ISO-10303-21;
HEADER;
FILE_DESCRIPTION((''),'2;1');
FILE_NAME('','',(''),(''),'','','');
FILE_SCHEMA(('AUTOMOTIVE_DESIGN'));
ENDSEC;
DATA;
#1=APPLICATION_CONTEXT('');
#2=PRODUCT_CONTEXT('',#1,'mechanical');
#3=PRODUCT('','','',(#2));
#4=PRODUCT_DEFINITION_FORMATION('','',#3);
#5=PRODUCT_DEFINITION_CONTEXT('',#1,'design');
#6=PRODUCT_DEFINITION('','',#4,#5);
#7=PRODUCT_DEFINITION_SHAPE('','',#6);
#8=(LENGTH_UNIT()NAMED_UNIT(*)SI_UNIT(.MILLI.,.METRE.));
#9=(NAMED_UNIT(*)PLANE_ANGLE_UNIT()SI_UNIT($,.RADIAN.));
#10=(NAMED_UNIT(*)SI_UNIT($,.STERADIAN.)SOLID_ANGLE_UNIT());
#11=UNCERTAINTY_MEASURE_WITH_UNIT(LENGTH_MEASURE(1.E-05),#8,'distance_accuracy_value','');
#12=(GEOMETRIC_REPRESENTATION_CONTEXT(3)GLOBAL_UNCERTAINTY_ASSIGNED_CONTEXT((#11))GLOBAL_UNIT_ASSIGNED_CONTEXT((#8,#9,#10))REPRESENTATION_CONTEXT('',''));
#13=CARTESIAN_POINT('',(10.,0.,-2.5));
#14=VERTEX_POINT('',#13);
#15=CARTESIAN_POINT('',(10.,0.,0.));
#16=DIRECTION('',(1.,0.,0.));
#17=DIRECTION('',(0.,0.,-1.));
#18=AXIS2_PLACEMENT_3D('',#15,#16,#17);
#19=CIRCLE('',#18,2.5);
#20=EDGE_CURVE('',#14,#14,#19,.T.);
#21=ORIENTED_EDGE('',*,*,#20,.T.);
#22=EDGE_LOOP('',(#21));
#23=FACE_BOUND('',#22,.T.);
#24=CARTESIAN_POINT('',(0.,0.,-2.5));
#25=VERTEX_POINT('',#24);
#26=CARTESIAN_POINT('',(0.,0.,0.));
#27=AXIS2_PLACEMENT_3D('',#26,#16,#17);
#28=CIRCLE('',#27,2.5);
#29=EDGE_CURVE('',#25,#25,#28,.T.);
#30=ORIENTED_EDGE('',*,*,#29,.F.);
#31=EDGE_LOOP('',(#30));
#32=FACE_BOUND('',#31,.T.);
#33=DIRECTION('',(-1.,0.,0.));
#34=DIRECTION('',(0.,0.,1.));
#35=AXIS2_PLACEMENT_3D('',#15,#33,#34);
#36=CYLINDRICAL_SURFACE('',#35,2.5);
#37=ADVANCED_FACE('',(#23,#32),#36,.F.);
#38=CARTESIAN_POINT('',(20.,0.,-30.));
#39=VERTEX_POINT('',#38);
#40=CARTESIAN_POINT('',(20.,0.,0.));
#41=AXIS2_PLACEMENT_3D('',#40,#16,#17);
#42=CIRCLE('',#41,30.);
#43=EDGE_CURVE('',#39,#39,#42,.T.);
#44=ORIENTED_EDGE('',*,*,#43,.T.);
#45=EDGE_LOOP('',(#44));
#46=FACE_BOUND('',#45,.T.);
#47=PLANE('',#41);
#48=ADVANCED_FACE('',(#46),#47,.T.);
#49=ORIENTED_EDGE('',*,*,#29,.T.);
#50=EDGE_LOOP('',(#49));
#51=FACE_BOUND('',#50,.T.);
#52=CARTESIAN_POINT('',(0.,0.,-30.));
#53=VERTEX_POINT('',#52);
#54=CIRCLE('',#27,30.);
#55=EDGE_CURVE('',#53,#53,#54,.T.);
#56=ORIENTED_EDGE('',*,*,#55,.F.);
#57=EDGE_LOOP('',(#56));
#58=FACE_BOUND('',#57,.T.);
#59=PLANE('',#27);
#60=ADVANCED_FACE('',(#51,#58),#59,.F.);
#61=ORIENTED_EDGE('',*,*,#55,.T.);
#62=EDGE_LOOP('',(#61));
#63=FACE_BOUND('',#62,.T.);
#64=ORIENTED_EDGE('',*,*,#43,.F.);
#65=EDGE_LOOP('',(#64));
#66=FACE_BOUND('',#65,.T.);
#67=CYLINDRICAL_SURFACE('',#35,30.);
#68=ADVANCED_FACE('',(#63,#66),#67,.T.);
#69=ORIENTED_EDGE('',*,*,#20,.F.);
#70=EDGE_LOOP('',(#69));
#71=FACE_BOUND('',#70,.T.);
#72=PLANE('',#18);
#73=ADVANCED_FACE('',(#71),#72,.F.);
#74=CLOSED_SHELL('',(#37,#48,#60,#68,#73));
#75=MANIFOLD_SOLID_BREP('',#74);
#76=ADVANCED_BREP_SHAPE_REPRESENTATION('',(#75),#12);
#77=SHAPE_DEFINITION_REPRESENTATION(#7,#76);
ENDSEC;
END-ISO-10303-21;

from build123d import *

# Parameters (mm, degrees)
SKETCH1_R           = 30
SKETCH1_R_2         = 2.5
BOSS_EXTRUDE1_DEPTH = 10
SKETCH2_R           = 30
BOSS_EXTRUDE2_DEPTH = 10


with BuildPart() as part:
    # Sketch1 → Boss-Extrude1 (new body)
    with BuildSketch(Plane(origin=(0, 0, 0), x_dir=(0, 0, -1), z_dir=(1, 0, 0))):
        Circle(SKETCH1_R)
        Circle(SKETCH1_R_2, mode=Mode.SUBTRACT)
    extrude(amount=BOSS_EXTRUDE1_DEPTH)

    # Sketch2 → Boss-Extrude2 (add)
    with BuildSketch(Plane(origin=(10, 0, 0), x_dir=(0, 0, -1), z_dir=(1, 0, 0))):
        Circle(SKETCH2_R)
    extrude(amount=BOSS_EXTRUDE2_DEPTH)


solid = part.part
